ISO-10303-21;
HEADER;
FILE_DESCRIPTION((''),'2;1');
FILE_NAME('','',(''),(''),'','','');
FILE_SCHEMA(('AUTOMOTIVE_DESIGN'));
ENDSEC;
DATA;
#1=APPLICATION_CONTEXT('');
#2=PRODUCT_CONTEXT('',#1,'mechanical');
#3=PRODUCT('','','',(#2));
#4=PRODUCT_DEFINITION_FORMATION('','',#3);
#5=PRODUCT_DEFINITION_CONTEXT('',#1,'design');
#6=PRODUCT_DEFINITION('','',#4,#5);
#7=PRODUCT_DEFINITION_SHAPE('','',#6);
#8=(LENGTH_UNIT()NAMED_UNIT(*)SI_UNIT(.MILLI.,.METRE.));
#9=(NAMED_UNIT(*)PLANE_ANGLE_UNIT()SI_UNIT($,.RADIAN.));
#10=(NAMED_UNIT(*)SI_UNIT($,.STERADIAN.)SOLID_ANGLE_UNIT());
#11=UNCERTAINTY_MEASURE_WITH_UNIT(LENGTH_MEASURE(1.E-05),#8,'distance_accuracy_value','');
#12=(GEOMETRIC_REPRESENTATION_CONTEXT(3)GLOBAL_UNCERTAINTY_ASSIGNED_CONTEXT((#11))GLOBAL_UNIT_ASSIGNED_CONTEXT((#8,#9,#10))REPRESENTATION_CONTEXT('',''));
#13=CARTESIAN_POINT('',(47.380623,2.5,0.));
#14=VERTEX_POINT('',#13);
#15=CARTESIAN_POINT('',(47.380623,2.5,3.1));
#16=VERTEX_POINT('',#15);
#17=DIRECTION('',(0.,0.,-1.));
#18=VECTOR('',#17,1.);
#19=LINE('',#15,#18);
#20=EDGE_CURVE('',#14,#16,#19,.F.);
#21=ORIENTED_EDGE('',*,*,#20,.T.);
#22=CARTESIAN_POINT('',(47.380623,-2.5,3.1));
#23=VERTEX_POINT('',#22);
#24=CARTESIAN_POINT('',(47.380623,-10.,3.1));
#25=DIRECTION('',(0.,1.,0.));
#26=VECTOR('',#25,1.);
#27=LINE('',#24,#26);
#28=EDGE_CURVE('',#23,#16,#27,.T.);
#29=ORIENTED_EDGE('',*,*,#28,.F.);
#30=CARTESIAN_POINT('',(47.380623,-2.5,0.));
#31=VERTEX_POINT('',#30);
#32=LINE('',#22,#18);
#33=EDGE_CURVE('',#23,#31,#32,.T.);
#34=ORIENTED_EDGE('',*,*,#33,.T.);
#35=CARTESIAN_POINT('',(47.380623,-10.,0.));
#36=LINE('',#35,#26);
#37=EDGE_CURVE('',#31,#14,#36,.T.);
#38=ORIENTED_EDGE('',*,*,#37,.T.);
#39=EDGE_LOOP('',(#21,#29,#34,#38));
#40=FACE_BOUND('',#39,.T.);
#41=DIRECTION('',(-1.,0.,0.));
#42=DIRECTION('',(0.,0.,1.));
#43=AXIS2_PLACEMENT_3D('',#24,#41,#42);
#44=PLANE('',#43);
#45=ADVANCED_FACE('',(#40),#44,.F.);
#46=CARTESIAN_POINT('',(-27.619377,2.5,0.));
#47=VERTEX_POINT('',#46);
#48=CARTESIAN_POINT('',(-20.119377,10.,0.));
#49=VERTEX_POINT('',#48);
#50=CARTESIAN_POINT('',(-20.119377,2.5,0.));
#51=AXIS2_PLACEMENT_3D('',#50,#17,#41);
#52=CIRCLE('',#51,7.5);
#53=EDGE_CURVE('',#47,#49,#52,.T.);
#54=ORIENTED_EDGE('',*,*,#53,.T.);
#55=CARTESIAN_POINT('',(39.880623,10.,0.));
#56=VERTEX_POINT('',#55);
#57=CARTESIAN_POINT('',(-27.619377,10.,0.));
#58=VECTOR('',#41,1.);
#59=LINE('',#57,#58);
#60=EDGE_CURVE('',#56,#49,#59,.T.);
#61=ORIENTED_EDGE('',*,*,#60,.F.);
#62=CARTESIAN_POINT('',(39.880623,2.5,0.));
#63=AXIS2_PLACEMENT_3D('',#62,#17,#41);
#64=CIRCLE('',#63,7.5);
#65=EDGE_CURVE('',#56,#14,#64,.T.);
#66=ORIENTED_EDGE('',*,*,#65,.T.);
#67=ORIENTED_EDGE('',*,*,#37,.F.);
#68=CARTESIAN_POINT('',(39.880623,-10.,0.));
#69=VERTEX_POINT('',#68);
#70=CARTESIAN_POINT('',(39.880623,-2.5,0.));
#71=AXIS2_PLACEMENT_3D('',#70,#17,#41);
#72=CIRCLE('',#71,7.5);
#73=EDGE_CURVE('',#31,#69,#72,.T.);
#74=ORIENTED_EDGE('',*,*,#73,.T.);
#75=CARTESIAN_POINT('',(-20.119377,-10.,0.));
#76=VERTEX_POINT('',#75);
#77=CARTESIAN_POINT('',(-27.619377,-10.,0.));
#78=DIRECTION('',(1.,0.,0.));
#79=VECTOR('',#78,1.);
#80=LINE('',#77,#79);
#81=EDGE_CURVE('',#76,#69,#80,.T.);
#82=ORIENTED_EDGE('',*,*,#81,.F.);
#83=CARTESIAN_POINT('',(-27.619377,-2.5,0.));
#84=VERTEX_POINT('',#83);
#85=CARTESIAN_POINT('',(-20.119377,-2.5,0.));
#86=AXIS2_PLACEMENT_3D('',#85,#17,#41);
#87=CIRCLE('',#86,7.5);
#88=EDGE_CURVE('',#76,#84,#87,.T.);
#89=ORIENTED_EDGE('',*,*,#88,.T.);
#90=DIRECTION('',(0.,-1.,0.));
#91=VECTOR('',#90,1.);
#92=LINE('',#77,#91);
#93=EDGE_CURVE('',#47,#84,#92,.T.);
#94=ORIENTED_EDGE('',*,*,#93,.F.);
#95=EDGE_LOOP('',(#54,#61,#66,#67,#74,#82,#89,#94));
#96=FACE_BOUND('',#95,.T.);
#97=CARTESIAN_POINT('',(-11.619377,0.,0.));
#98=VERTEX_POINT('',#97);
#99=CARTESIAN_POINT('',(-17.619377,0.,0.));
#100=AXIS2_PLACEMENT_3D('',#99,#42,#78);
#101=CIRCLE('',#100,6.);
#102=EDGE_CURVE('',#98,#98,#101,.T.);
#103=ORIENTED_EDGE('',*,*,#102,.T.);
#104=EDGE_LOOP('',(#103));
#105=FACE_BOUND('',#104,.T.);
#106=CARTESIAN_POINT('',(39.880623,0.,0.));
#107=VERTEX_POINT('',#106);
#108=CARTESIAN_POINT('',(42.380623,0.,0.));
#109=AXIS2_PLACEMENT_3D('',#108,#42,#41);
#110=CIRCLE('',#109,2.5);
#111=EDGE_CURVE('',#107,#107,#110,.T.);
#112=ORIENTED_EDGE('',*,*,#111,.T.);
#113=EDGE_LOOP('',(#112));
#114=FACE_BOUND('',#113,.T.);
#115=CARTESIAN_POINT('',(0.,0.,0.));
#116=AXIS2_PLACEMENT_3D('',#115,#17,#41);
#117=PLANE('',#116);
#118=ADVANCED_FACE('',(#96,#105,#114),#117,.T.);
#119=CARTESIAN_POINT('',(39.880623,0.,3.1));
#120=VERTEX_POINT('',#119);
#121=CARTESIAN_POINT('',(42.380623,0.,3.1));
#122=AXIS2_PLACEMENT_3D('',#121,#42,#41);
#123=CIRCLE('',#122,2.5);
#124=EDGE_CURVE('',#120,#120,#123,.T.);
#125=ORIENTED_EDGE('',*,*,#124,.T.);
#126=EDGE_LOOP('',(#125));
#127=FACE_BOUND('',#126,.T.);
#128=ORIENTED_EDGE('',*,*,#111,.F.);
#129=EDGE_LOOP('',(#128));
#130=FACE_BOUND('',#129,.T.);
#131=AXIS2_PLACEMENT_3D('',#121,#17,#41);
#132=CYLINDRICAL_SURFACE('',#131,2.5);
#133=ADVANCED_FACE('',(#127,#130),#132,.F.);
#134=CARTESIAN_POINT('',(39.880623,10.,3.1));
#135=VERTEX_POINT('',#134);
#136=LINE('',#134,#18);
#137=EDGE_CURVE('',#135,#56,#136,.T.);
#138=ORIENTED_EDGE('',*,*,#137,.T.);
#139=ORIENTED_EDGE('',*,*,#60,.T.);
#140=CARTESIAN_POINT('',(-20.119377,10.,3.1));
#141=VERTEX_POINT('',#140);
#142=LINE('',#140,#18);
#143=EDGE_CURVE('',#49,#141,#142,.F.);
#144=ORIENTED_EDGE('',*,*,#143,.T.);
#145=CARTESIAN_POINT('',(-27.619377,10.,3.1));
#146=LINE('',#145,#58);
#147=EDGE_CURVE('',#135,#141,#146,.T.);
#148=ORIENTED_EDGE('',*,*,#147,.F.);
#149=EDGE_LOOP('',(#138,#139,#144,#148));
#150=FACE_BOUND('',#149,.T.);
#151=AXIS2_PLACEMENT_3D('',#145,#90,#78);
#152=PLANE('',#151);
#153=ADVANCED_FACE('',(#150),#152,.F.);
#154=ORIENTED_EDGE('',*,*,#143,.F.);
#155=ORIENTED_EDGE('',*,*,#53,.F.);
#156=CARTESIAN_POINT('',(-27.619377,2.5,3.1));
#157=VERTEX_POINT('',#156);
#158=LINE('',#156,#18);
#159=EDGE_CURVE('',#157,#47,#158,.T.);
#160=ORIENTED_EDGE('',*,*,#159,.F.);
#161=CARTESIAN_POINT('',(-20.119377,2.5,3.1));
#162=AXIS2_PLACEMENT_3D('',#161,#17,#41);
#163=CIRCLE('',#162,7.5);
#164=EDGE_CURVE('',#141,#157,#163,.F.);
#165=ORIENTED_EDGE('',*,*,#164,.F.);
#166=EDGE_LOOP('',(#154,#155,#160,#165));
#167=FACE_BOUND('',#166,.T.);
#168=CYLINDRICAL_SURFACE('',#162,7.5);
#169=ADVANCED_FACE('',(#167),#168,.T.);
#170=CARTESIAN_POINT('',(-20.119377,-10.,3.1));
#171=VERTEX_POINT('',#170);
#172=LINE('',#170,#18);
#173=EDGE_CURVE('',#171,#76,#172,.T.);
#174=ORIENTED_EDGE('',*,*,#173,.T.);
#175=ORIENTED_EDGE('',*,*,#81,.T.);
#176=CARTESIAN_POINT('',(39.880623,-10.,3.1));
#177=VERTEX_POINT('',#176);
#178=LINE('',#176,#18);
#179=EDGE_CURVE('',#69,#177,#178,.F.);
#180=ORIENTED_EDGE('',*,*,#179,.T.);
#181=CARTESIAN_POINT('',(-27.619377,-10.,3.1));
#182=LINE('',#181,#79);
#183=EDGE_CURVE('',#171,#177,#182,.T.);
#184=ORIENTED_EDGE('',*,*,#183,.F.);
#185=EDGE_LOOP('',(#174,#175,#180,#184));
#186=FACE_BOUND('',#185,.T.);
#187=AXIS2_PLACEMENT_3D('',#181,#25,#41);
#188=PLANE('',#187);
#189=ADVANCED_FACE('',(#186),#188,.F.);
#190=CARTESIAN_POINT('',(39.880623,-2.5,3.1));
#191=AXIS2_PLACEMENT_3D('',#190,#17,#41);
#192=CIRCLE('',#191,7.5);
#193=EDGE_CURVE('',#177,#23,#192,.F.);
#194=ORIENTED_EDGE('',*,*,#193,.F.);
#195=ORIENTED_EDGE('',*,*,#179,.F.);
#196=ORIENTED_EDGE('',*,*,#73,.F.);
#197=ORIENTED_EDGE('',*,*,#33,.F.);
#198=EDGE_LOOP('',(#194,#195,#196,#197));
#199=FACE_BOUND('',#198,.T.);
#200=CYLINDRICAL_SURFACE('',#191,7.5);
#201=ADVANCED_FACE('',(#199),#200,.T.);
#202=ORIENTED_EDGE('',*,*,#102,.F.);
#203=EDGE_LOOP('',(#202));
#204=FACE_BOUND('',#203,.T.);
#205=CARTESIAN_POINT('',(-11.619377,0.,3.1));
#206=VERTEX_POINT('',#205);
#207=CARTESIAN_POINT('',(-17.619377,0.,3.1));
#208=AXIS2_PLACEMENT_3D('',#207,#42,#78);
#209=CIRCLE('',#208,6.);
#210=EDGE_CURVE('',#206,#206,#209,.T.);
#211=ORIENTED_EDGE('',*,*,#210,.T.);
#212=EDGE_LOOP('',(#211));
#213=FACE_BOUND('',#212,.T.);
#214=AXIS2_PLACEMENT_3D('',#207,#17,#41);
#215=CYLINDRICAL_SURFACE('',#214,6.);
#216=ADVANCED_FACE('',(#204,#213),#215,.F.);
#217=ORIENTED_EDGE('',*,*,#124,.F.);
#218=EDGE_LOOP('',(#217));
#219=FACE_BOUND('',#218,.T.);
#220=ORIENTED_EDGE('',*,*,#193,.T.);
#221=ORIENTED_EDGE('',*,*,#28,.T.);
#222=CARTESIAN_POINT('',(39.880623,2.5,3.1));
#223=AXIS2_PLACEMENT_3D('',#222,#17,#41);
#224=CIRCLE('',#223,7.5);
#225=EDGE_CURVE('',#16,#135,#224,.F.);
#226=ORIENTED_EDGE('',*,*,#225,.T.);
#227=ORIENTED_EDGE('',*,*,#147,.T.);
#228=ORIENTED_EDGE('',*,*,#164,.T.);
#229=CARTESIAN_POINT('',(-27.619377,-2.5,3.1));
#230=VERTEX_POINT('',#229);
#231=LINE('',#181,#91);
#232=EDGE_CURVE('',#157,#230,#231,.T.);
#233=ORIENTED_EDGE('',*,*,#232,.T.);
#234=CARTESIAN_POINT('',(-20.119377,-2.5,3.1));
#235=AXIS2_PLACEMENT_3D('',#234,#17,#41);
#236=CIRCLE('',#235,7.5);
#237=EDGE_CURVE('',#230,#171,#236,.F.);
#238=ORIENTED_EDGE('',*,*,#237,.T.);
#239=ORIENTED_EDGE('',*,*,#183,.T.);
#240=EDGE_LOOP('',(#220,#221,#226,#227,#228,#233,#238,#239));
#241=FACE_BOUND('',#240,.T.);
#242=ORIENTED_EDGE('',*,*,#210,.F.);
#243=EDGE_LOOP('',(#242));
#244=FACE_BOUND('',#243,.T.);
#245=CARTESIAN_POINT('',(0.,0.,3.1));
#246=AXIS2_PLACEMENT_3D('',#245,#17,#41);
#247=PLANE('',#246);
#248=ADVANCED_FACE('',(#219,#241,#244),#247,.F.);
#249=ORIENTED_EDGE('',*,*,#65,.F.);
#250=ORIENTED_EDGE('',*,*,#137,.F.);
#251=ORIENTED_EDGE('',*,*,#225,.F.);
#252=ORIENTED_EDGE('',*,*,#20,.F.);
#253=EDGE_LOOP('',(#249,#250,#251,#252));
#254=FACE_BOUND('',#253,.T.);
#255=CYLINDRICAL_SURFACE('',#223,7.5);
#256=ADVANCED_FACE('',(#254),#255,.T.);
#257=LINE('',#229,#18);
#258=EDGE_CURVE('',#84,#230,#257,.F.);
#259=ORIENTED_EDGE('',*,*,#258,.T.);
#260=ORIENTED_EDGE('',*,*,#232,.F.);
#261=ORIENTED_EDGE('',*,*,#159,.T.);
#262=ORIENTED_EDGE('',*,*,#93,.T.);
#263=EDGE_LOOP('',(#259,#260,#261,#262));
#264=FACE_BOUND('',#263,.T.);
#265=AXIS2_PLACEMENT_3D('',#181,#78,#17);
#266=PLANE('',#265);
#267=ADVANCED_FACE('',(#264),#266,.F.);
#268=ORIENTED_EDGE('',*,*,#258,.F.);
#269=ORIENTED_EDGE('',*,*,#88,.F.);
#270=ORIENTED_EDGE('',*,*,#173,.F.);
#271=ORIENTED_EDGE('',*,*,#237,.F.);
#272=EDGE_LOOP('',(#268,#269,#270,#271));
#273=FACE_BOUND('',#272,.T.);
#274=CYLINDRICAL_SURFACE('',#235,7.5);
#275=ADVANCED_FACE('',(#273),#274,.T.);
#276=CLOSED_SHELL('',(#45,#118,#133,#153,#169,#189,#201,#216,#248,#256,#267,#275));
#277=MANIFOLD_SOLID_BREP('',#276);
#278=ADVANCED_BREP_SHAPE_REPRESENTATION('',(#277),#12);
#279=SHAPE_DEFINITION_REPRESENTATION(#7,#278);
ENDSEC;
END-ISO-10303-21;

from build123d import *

# Parameters (mm, degrees)
SKETCH1_W           = 75
SKETCH1_H           = 20
SKETCH1_R           = 2.5
SKETCH1_R_2         = 6
BOSS_EXTRUDE1_DEPTH = 3.1
FILLET1_R           = 7.5


with BuildPart() as part:
    # Sketch1 → Boss-Extrude1 (new body)
    with BuildSketch(Plane.XY):
        with Locations((9.88062329, 0)):
            Rectangle(SKETCH1_W, SKETCH1_H)
        with Locations((42.38062329, 0)):
            Circle(SKETCH1_R, mode=Mode.SUBTRACT)
        with Locations((-17.61937671, 0)):
            Circle(SKETCH1_R_2, mode=Mode.SUBTRACT)
    extrude(amount=BOSS_EXTRUDE1_DEPTH)

    # Fillet1
    fillet1_edges = [part.edges().sort_by_distance(p)[0] for p in [
        (-27.61937671, 10, 1.55),
        (47.38062329, 10, 1.55),
        (47.38062329, -10, 1.55),
        (-27.61937671, -10, 1.55),
    ]]
    fillet(fillet1_edges, radius=FILLET1_R)


solid = part.part
